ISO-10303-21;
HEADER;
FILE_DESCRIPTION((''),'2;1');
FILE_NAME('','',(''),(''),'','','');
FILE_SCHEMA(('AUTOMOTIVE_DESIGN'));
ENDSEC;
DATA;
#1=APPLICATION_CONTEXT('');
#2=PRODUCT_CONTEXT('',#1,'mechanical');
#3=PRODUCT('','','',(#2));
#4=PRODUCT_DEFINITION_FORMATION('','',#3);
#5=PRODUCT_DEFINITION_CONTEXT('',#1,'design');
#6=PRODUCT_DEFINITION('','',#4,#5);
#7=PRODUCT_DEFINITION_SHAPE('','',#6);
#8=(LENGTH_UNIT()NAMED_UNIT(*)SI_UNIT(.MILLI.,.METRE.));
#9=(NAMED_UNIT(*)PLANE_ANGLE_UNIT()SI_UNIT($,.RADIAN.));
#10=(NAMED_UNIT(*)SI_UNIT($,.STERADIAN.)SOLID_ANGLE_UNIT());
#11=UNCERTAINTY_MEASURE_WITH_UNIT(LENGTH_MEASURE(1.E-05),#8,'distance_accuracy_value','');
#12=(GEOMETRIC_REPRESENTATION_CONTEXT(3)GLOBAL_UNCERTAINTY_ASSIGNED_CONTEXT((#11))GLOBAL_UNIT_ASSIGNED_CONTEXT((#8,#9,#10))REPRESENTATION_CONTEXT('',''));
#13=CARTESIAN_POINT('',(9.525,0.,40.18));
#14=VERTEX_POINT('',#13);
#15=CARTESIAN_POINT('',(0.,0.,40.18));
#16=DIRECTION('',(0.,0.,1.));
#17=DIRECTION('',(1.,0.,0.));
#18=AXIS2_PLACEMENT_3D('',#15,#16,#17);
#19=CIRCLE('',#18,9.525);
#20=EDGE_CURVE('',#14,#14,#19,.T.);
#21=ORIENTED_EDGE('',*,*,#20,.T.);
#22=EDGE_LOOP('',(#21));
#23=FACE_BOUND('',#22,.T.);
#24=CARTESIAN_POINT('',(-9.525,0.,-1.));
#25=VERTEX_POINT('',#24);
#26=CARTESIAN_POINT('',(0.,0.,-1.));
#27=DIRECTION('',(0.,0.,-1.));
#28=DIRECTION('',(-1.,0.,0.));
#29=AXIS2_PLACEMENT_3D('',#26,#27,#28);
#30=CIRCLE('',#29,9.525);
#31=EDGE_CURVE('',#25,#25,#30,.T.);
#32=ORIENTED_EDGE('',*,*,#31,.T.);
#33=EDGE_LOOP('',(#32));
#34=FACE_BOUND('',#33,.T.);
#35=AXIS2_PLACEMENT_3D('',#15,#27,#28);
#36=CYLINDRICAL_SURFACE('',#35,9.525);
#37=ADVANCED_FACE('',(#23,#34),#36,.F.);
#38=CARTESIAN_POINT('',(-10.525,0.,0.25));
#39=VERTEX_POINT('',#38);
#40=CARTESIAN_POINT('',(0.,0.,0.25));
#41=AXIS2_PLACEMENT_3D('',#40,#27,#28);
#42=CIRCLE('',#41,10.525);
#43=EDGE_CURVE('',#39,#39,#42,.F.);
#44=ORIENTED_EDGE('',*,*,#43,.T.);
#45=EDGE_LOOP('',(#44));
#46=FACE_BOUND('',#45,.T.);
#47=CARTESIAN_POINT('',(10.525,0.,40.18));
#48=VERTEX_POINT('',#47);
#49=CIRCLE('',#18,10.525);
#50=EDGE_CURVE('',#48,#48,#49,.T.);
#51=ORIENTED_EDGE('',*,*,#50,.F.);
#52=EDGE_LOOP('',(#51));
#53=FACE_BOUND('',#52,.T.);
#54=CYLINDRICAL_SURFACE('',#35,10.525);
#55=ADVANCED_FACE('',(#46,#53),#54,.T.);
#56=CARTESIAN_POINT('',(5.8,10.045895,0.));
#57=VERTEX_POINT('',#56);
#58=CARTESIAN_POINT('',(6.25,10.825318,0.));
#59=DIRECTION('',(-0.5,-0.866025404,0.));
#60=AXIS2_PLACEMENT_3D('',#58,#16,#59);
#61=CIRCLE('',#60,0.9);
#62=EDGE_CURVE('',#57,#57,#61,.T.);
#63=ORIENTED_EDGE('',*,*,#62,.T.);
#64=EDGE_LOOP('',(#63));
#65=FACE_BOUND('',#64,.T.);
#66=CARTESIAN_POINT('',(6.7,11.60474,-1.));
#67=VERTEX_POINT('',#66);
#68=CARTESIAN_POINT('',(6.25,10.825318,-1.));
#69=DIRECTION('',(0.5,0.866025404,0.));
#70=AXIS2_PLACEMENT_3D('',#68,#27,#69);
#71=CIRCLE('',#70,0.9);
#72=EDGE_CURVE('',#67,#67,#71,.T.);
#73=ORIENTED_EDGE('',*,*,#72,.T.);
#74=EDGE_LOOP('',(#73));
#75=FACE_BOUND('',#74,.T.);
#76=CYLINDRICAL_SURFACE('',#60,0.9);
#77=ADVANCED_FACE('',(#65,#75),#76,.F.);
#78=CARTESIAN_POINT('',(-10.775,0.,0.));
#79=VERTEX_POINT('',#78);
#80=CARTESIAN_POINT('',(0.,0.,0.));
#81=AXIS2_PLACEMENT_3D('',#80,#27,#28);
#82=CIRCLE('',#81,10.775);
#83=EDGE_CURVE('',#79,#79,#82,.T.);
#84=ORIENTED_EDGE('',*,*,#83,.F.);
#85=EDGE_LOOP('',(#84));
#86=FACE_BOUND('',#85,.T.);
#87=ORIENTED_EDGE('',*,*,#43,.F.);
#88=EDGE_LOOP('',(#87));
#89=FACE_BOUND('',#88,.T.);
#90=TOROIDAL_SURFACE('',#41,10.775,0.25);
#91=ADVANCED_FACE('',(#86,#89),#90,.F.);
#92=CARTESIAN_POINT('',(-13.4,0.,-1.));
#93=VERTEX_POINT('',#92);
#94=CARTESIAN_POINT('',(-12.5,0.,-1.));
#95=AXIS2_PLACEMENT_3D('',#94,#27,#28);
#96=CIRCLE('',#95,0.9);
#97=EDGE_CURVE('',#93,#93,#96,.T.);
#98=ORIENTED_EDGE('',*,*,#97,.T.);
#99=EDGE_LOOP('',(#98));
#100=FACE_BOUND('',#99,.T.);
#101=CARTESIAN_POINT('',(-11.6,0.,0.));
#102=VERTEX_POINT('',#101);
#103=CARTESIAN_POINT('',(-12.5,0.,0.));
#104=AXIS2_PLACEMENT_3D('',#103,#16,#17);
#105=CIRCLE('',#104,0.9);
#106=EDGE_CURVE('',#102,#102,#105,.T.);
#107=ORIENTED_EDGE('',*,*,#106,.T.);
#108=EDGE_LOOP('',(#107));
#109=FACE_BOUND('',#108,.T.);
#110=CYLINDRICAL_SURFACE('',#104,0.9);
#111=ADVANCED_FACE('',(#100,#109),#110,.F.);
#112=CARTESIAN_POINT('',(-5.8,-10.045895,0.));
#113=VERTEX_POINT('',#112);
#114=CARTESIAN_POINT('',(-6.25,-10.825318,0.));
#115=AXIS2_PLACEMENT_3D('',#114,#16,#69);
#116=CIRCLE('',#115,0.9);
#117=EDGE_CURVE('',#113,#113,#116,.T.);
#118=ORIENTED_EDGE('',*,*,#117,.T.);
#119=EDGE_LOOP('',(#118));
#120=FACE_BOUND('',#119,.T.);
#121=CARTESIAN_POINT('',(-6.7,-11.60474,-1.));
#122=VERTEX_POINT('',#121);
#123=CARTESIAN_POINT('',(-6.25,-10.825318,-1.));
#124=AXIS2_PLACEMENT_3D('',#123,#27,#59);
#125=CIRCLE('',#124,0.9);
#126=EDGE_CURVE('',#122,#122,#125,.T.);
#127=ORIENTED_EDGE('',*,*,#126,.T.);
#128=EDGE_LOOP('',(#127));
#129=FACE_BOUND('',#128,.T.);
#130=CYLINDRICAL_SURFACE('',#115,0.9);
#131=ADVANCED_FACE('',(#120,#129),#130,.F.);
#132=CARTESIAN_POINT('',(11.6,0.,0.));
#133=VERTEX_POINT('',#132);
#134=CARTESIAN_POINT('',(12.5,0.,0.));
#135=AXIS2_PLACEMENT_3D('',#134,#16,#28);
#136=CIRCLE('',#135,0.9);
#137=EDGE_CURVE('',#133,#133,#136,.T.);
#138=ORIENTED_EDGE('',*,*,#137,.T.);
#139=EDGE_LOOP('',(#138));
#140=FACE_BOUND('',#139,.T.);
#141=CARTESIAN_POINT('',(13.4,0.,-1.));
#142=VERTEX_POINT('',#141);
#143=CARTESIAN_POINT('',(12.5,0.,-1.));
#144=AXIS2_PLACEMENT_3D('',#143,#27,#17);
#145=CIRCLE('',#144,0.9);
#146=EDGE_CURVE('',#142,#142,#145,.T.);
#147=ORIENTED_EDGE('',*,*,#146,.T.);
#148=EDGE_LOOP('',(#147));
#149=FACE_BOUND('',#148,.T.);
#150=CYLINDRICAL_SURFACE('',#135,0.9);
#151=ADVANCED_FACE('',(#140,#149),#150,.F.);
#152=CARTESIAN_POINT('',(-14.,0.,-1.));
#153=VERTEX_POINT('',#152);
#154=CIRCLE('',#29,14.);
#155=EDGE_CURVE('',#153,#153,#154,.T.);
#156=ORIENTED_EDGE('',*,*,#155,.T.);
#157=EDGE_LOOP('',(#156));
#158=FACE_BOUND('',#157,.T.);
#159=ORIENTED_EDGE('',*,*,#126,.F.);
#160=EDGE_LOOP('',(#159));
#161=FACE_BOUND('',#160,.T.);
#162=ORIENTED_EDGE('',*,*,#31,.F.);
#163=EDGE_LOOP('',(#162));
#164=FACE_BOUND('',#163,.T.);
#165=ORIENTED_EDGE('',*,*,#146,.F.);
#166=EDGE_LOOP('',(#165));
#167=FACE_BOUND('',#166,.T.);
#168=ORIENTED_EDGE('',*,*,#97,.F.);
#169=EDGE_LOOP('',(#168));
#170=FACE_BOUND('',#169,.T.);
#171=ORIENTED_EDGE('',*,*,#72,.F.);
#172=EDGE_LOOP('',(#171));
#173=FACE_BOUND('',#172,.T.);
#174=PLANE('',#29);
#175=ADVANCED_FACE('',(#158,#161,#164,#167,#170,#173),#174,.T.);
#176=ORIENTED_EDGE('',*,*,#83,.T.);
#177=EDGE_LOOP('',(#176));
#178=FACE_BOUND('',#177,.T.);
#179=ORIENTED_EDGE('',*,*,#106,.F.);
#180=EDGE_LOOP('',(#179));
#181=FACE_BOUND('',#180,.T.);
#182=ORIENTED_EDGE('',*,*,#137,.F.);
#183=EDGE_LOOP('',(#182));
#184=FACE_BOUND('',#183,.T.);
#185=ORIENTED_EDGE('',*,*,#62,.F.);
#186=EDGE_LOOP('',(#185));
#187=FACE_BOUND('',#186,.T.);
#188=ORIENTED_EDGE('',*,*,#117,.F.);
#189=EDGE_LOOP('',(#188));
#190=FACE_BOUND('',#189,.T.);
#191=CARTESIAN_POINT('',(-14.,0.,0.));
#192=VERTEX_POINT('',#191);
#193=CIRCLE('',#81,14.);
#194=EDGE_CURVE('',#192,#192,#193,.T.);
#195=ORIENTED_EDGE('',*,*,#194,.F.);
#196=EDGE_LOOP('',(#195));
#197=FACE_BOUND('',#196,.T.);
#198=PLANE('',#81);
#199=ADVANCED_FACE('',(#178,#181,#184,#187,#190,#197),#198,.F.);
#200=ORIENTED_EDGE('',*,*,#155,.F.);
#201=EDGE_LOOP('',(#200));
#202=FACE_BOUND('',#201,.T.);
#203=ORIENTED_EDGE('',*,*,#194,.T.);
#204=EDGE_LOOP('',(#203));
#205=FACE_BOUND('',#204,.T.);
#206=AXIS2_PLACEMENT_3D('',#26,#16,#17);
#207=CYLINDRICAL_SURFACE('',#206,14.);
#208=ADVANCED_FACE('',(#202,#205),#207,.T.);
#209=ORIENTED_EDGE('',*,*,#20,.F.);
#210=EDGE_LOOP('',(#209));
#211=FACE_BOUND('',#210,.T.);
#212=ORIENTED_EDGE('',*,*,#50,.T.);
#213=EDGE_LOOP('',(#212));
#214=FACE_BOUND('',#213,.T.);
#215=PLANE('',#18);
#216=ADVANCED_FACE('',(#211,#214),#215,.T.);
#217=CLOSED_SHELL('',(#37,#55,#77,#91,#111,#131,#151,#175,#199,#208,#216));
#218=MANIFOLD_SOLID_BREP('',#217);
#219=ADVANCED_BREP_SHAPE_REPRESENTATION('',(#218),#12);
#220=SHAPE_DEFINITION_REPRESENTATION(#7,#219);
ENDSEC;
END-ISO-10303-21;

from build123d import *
from build123d.topology import SkipClean

# Parameters (mm, degrees)
SKETCH1_R           = 10.525
SKETCH1_R_2         = 9.525
BOSS_EXTRUDE1_DEPTH = 40.18
BOSS_EXTRUDE2_START = 1
SKETCH2_R           = 14
SKETCH2_R_2         = 9.525
BOSS_EXTRUDE2_DEPTH = 1
CIRPATTERN1_COUNT   = 6
FILLET1_R           = 0.25


with BuildPart() as part:
    # Sketch1 → Boss-Extrude1 (new body)
    with BuildSketch(Plane.XY):
        Circle(SKETCH1_R)
        Circle(SKETCH1_R_2, mode=Mode.SUBTRACT)
    extrude(amount=BOSS_EXTRUDE1_DEPTH)

    # Sketch2 → Boss-Extrude2 (add)
    with SkipClean():  # the faces are left unmerged after this step: merging them gives an invalid solid
        with BuildSketch(Plane(origin=(0, 0, 0), x_dir=(-1, 0, 0), z_dir=(0, 0, -1)).offset(BOSS_EXTRUDE2_START)):
            Circle(SKETCH2_R)
            Circle(SKETCH2_R_2, mode=Mode.SUBTRACT)
        extrude(amount=-BOSS_EXTRUDE2_DEPTH)

    # Sketch11 → M1.6 Clearance Hole1 (revolve, cut)
    with SkipClean():  # the faces are left unmerged after this step: merging them gives an invalid solid
        with BuildSketch(Plane(origin=(-12.5, 0, 0), x_dir=(0, -1, 0), z_dir=(1, 0, 0))):
            Polygon((0, 0), (0, 5.540774557), (0.9, 5), (0.9, 0), align=None)
        m1_6_clearance_hole1 = revolve(axis=Axis((-12.5, 0, 6.35), (0, 0, -1)), mode=Mode.SUBTRACT)

    # CirPattern1: M1.6 Clearance Hole1 ×6 about axis, 2 skipped
    with SkipClean():  # the faces are left unmerged after this step: merging them gives an invalid solid
        cirpattern1_axis = Axis((0, 0, 0), (0, 0, -1))
        add([m1_6_clearance_hole1.rotate(cirpattern1_axis, i * 360 / CIRPATTERN1_COUNT) for i in range(1, CIRPATTERN1_COUNT) if i not in (1, 4)], mode=Mode.SUBTRACT)

    # Fillet1
    fillet1_edges = [part.edges().sort_by_distance(p)[0] for p in [
        (-10.525, 0, 0),
    ]]
    fillet(fillet1_edges, radius=FILLET1_R)


solid = part.part
